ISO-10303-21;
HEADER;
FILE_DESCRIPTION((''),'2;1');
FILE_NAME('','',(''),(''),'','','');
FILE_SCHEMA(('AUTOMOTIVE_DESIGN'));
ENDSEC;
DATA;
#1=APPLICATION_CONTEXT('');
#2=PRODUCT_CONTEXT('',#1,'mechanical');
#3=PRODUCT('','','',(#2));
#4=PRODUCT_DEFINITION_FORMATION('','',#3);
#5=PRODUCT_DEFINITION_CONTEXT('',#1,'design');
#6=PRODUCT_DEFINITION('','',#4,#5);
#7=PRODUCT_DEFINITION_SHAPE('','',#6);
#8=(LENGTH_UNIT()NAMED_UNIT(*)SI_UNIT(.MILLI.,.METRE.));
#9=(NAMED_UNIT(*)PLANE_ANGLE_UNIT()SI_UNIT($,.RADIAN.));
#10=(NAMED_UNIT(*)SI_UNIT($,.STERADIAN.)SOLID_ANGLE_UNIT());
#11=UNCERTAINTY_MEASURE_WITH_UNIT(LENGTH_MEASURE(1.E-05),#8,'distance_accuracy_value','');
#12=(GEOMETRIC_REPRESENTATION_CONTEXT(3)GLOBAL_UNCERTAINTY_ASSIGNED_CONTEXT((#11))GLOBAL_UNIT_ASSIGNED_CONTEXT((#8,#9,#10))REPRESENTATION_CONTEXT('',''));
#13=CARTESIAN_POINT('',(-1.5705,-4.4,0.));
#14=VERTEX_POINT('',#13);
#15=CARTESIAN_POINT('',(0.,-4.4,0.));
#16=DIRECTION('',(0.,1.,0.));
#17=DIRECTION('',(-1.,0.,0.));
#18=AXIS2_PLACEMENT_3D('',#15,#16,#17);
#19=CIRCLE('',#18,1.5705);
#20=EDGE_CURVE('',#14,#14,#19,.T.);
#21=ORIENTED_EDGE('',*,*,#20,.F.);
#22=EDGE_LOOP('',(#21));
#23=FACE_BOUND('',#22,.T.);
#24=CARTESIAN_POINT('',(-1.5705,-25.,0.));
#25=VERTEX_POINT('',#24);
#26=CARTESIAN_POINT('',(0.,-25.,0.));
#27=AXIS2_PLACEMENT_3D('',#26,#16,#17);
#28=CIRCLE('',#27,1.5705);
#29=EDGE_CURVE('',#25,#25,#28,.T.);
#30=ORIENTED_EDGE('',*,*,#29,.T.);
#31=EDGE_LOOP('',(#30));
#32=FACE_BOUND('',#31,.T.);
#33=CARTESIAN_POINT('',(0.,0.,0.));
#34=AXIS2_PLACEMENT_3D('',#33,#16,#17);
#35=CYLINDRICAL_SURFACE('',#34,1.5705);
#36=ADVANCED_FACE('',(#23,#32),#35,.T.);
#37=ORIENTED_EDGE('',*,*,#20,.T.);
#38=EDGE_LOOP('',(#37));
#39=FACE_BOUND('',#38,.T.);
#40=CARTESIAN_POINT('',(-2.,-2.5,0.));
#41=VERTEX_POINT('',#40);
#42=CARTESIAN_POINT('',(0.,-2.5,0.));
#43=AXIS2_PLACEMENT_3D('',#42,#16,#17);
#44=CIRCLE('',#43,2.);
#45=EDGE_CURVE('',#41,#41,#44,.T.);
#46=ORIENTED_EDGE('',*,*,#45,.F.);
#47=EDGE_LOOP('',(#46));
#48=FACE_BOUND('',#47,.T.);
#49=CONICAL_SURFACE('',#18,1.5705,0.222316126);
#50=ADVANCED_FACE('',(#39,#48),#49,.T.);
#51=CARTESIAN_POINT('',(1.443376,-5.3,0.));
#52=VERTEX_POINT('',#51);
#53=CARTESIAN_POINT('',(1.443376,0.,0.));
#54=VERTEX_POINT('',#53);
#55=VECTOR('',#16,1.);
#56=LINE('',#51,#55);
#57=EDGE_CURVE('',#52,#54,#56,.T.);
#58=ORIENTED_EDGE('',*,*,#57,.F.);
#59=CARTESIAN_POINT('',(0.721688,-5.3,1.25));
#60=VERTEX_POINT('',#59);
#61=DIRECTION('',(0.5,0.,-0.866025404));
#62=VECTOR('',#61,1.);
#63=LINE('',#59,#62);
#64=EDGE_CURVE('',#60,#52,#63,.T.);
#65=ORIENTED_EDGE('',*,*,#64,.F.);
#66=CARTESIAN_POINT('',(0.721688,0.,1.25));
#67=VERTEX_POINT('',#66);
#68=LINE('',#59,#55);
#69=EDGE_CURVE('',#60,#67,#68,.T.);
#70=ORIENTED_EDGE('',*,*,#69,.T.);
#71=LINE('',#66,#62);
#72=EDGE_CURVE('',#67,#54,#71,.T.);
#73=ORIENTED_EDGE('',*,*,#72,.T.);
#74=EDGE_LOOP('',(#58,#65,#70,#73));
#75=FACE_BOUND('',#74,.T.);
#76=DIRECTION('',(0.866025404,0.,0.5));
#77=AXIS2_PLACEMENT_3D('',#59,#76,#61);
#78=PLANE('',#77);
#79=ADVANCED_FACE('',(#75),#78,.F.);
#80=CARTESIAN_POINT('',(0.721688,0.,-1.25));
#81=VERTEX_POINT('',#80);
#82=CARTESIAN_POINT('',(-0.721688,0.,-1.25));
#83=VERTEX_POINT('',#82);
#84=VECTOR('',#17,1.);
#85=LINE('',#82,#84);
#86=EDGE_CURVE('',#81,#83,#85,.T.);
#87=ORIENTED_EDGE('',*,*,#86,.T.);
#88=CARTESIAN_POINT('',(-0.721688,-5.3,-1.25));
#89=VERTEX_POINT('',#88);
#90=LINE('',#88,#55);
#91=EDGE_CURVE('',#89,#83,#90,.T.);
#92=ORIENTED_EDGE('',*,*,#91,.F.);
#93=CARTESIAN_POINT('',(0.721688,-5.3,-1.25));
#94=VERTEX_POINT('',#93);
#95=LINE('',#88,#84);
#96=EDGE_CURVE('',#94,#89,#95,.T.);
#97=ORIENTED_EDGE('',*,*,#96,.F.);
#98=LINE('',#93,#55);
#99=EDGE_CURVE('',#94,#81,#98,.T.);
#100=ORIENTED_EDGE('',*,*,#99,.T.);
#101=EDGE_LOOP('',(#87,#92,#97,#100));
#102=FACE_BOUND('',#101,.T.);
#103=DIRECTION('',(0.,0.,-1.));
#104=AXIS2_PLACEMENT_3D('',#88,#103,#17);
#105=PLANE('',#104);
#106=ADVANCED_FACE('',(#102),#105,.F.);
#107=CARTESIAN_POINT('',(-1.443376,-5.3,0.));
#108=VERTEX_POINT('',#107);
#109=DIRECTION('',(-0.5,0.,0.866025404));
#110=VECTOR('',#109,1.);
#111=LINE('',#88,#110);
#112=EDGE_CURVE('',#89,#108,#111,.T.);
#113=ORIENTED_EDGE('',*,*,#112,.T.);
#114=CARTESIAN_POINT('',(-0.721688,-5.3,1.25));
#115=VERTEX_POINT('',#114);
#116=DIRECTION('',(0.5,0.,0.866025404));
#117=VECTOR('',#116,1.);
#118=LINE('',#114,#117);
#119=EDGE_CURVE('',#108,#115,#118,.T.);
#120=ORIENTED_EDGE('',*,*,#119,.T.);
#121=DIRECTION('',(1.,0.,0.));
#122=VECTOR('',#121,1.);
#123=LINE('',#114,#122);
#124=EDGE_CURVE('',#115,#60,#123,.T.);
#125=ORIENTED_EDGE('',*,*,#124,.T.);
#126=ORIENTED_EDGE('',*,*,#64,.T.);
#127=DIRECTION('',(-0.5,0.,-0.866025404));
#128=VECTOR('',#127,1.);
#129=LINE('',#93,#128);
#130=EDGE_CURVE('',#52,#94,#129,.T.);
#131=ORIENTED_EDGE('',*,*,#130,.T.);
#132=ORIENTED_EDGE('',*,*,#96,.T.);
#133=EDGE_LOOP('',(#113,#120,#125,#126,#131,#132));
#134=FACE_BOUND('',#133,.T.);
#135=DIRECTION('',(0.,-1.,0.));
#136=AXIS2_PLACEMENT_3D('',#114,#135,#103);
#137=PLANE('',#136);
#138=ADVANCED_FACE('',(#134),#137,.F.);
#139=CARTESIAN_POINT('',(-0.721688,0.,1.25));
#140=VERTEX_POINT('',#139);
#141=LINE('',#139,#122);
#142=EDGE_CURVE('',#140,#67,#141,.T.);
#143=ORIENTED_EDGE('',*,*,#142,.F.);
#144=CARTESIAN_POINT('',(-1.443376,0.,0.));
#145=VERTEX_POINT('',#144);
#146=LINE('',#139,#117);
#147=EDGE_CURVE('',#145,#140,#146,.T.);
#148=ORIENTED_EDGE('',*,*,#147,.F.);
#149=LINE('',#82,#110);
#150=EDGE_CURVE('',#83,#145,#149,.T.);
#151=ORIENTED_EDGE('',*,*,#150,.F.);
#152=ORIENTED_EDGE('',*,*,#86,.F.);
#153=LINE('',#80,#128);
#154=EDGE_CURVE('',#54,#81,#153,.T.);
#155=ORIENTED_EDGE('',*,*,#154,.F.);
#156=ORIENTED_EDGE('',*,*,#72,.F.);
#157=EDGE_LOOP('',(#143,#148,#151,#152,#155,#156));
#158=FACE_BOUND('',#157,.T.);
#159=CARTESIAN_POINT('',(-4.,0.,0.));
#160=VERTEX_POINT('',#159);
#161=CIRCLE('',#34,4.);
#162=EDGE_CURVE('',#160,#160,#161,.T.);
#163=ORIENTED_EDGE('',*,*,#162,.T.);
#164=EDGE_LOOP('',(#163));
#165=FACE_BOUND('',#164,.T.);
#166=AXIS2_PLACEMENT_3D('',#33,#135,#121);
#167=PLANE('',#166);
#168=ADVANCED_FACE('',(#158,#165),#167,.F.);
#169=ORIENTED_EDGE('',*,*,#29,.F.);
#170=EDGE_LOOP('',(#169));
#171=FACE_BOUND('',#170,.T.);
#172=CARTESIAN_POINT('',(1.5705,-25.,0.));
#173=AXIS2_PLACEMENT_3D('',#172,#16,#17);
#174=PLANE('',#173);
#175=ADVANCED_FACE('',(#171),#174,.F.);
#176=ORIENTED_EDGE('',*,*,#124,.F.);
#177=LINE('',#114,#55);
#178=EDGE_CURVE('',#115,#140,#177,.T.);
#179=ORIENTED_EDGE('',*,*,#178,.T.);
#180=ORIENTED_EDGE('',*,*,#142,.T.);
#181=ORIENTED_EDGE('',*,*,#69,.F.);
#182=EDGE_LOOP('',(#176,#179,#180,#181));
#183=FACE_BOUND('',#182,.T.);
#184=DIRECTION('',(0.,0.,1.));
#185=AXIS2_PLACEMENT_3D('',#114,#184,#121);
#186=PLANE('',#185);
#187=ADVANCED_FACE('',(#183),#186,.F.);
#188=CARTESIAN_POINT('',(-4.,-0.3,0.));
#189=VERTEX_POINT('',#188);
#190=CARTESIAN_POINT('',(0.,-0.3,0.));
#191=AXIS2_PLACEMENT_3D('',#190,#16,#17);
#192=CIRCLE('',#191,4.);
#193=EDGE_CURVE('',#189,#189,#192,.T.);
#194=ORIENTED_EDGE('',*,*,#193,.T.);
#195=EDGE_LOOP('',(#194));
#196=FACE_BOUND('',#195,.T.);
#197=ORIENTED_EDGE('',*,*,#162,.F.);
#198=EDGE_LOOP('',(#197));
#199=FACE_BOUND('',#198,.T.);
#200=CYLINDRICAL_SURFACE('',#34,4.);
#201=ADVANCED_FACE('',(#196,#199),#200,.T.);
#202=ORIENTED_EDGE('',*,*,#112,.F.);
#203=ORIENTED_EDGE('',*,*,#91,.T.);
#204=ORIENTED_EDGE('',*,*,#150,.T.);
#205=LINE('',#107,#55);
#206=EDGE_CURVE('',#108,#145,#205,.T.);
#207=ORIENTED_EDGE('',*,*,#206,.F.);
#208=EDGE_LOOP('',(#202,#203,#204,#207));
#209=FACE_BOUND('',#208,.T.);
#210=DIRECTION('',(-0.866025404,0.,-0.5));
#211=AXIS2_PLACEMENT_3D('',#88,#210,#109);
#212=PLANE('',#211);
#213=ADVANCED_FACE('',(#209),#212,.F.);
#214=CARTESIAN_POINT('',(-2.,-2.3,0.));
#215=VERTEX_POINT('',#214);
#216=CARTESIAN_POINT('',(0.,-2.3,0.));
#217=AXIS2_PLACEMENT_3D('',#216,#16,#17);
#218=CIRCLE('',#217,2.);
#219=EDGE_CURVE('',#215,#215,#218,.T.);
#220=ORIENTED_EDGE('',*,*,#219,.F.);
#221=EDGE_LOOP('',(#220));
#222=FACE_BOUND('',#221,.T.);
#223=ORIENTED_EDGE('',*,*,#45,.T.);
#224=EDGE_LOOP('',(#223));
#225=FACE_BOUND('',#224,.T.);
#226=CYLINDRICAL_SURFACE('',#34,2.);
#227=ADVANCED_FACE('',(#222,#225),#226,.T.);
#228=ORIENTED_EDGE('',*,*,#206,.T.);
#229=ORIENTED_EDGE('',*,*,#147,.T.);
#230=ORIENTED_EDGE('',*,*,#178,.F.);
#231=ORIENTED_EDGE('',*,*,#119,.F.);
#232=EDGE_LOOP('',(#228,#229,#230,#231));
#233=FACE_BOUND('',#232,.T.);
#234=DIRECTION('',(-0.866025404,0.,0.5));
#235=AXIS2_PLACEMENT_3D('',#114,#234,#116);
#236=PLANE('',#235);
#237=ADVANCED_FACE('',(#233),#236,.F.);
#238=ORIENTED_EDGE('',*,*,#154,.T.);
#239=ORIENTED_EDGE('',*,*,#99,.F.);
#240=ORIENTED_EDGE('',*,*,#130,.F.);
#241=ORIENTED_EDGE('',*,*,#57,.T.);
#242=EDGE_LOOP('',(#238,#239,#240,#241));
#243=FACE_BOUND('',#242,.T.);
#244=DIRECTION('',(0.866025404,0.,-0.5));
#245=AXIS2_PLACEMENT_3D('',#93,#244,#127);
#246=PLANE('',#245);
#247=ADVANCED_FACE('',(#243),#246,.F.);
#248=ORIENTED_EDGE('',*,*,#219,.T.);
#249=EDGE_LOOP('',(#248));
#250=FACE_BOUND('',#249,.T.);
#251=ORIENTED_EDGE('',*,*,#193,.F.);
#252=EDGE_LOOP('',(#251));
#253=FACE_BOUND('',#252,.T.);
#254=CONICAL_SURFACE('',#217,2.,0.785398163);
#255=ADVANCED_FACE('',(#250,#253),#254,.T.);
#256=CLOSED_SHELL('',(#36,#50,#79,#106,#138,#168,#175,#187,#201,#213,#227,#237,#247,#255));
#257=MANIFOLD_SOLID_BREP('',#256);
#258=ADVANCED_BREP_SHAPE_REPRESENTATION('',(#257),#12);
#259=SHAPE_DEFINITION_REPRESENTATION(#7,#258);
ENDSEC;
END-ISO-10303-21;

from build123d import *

# Parameters (mm, degrees)
SCHNITT_LINEAR_AUSTRAGEN1_DEPTH = 5.3


with BuildPart() as part:
    # Skizze1 → Basis-Rotation (revolve)
    with BuildSketch(Plane.XY, mode=Mode.PRIVATE) as basis_rotation_sk:
        Polygon((0, 0), (4, 0), (4, -0.3), (2, -2.3), (2, -2.5), (1.5705, -4.4), (1.5705, -25), (0, -25), align=None)
    revolve(basis_rotation_sk.sketch.rotate(Axis((0, 0, 0), (0, -1, 0)), 180), axis=Axis((0, 0, 0), (0, -1, 0)))

    # Skizze2 → Schnitt-Linear austragen1 (cut)
    with BuildSketch(Plane(origin=(0, 0, 0), x_dir=(-1, 0, 0), z_dir=(0, 1, 0))):
        Polygon((0.721687836, -1.25), (-0.721687836, -1.25), (-1.443375673, 0), (-0.721687836, 1.25), (0.721687836, 1.25), (1.443375673, 0), align=None)
    extrude(amount=-SCHNITT_LINEAR_AUSTRAGEN1_DEPTH, mode=Mode.SUBTRACT)


solid = part.part
